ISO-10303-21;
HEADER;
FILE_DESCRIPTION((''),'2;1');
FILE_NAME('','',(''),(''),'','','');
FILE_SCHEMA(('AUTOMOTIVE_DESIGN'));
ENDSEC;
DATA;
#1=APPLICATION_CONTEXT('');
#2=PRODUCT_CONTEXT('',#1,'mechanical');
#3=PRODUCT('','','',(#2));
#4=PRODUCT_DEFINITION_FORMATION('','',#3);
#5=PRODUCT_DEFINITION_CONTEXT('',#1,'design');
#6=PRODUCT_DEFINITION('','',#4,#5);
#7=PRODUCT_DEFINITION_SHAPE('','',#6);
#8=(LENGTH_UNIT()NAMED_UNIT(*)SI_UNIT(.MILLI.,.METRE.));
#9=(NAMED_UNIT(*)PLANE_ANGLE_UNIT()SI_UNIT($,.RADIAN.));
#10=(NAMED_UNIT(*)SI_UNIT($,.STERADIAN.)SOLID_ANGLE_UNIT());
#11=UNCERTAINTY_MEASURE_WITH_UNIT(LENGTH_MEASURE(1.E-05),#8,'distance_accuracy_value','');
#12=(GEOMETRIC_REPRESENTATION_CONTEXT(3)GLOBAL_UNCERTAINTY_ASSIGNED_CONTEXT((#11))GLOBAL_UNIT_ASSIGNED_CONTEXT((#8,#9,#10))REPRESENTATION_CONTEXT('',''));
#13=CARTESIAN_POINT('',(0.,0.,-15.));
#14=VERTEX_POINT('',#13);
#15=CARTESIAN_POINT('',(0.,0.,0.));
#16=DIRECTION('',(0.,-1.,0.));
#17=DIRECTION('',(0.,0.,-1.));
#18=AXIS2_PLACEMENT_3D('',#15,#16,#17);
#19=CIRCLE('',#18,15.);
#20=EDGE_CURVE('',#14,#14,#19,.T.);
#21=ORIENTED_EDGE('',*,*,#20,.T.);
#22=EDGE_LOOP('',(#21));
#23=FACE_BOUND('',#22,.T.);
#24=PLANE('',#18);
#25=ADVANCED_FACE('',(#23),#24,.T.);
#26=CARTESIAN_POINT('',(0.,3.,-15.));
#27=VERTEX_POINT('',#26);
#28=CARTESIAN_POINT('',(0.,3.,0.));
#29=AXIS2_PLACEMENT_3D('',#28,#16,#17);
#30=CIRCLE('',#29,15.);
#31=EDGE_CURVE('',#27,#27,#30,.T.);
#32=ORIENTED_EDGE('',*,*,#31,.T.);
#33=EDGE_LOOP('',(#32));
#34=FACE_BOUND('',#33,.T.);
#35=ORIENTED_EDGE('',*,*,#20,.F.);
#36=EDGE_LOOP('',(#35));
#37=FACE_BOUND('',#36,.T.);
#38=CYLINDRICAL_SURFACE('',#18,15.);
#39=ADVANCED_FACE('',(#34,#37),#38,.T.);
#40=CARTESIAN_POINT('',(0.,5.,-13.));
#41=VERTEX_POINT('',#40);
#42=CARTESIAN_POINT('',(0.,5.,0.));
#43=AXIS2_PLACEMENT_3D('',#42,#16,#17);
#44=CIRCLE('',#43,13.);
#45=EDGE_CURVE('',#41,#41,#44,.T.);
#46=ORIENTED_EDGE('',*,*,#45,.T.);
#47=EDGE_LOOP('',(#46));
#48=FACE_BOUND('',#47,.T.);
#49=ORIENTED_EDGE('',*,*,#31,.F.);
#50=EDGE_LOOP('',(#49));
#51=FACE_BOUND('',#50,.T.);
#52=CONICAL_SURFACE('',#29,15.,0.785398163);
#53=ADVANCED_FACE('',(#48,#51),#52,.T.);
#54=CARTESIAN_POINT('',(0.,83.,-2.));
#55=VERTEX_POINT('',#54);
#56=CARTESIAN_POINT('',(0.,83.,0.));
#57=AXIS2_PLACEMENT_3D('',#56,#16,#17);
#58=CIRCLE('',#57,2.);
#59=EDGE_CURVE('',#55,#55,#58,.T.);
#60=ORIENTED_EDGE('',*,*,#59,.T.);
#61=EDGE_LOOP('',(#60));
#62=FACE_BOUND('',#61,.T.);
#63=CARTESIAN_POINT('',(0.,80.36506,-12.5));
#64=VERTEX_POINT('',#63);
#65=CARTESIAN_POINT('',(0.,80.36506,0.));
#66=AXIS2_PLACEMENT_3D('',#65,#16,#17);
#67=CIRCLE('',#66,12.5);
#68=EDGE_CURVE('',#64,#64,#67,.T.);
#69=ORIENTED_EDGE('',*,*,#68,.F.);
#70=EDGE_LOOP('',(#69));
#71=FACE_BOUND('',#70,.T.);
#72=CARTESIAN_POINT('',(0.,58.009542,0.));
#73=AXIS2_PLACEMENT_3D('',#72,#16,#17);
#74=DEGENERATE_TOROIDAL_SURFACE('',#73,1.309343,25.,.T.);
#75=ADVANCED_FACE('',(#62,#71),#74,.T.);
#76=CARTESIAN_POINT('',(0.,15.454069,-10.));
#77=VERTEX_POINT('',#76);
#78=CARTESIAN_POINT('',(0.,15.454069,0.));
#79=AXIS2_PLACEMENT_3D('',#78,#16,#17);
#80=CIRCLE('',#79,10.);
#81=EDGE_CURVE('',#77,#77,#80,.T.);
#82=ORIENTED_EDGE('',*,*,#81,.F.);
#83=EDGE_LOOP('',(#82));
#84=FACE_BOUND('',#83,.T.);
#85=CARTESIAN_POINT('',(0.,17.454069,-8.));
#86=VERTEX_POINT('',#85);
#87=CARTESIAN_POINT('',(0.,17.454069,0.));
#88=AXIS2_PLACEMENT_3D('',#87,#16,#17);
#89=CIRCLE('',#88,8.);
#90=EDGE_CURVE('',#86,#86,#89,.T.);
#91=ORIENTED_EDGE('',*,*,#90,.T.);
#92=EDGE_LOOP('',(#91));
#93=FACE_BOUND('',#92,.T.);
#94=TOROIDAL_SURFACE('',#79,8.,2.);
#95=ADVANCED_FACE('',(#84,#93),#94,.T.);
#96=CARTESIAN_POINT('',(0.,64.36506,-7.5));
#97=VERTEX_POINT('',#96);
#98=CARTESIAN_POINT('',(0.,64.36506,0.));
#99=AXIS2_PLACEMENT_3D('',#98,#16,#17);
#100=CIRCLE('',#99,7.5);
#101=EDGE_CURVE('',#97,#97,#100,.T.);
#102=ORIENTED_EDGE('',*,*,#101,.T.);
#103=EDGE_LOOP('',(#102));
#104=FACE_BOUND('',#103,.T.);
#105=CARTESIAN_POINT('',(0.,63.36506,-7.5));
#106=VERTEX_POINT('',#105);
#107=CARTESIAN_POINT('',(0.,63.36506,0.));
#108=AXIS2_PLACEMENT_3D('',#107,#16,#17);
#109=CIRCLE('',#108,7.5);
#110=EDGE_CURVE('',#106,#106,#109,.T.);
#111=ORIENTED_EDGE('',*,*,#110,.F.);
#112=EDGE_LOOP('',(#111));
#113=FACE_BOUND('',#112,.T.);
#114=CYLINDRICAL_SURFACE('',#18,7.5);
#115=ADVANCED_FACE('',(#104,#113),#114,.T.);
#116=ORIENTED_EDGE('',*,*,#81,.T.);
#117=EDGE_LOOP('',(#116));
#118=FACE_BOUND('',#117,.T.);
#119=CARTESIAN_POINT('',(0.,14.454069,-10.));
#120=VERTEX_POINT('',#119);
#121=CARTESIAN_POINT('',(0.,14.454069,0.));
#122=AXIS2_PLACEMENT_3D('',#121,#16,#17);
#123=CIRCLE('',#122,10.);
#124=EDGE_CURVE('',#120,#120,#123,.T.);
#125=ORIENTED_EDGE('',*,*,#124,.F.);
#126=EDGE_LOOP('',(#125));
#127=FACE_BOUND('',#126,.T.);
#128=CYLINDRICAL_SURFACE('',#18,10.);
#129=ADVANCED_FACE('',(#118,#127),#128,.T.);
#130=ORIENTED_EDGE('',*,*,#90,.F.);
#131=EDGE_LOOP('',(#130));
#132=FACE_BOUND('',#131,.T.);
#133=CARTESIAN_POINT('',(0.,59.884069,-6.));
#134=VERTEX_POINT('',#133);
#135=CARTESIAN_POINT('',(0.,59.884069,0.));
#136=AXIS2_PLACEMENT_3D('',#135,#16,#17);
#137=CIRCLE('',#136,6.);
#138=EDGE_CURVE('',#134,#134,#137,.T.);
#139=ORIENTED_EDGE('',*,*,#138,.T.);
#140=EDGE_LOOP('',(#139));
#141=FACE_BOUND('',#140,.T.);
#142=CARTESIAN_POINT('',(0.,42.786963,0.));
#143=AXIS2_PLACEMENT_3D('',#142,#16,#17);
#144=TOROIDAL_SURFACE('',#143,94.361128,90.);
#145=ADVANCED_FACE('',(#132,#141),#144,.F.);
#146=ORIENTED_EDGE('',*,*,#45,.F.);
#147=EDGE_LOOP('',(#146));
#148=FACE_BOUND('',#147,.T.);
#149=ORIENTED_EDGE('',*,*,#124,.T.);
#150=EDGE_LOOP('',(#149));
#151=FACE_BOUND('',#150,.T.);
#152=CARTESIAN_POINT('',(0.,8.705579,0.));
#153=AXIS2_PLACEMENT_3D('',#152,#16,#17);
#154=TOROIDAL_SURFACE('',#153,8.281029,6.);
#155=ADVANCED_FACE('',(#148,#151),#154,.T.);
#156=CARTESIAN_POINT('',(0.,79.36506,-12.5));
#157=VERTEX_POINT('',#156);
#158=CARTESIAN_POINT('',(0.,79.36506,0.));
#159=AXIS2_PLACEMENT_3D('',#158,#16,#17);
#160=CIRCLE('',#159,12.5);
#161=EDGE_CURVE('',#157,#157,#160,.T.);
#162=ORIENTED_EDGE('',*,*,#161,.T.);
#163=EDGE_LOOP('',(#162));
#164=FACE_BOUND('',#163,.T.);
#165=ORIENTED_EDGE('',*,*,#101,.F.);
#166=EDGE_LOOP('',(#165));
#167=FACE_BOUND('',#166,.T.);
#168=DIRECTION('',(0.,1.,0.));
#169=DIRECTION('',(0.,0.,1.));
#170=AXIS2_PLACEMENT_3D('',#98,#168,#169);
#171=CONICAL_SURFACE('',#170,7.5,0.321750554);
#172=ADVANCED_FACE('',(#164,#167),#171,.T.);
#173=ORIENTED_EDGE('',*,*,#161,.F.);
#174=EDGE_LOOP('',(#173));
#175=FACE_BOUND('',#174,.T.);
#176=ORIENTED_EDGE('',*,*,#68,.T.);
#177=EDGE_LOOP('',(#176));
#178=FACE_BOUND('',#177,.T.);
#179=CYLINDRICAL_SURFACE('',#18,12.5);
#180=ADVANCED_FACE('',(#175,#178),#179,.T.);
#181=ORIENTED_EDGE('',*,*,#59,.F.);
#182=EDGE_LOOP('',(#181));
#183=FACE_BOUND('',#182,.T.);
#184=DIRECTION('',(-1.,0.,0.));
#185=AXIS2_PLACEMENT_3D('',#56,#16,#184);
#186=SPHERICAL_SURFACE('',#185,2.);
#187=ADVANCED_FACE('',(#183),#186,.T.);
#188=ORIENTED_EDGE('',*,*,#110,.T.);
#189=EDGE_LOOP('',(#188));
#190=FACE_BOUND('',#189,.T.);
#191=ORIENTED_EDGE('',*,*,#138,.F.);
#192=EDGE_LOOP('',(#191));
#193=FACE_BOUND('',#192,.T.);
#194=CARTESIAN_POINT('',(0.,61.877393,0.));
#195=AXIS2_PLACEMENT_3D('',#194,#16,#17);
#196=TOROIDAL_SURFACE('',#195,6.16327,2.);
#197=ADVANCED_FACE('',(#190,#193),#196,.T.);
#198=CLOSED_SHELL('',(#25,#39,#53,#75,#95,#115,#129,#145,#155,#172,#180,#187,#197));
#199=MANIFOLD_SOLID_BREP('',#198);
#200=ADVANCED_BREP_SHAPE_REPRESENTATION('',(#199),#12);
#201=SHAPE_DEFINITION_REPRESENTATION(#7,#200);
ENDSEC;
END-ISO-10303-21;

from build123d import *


with BuildPart() as part:
    # Sketch1 → Revolve1 (revolve)
    with BuildSketch(Plane.XY, mode=Mode.PRIVATE) as revolve1_sk:
        with BuildLine():
            Line((-15, 0), (0, 0))
            Line((0, 0), (0, 83))
            Line((0, 83), (-2, 83))
            ThreePointArc((-2, 83), (-7.394335397, 82.257693837), (-12.5, 80.365060283))
            Line((-12.5, 80.365060283), (-12.5, 79.365060283))
            Line((-12.5, 79.365060283), (-7.5, 64.365060283))
            Line((-7.5, 64.365060283), (-7.5, 63.365060283))
            ThreePointArc((-7.5, 63.365060283), (-8, 61.085924924), (-6, 59.884068865))
            ThreePointArc((-6, 59.884068865), (-4.460944967, 38.549386799), (-8, 17.454068865))
            ThreePointArc((-8, 17.454068865), (-9.414213562, 16.868282427), (-10, 15.454068865))
            Line((-10, 15.454068865), (-10, 14.454068865))
            ThreePointArc((-10, 14.454068865), (-14, 10.520343653), (-13, 5))
            Line((-13, 5), (-15, 3))
            Line((-15, 3), (-15, 0))
        make_face()
        with BuildLine():
            Line((-2, 83), (0, 83))
            Line((0, 83), (0, 85))
            ThreePointArc((0, 85), (-1.414213562, 84.414213562), (-2, 83))
        make_face()
    revolve(revolve1_sk.sketch.rotate(Axis((0, 0, 0), (0, 1, 0)), 270), axis=Axis((0, 0, 0), (0, 1, 0)))


solid = part.part
